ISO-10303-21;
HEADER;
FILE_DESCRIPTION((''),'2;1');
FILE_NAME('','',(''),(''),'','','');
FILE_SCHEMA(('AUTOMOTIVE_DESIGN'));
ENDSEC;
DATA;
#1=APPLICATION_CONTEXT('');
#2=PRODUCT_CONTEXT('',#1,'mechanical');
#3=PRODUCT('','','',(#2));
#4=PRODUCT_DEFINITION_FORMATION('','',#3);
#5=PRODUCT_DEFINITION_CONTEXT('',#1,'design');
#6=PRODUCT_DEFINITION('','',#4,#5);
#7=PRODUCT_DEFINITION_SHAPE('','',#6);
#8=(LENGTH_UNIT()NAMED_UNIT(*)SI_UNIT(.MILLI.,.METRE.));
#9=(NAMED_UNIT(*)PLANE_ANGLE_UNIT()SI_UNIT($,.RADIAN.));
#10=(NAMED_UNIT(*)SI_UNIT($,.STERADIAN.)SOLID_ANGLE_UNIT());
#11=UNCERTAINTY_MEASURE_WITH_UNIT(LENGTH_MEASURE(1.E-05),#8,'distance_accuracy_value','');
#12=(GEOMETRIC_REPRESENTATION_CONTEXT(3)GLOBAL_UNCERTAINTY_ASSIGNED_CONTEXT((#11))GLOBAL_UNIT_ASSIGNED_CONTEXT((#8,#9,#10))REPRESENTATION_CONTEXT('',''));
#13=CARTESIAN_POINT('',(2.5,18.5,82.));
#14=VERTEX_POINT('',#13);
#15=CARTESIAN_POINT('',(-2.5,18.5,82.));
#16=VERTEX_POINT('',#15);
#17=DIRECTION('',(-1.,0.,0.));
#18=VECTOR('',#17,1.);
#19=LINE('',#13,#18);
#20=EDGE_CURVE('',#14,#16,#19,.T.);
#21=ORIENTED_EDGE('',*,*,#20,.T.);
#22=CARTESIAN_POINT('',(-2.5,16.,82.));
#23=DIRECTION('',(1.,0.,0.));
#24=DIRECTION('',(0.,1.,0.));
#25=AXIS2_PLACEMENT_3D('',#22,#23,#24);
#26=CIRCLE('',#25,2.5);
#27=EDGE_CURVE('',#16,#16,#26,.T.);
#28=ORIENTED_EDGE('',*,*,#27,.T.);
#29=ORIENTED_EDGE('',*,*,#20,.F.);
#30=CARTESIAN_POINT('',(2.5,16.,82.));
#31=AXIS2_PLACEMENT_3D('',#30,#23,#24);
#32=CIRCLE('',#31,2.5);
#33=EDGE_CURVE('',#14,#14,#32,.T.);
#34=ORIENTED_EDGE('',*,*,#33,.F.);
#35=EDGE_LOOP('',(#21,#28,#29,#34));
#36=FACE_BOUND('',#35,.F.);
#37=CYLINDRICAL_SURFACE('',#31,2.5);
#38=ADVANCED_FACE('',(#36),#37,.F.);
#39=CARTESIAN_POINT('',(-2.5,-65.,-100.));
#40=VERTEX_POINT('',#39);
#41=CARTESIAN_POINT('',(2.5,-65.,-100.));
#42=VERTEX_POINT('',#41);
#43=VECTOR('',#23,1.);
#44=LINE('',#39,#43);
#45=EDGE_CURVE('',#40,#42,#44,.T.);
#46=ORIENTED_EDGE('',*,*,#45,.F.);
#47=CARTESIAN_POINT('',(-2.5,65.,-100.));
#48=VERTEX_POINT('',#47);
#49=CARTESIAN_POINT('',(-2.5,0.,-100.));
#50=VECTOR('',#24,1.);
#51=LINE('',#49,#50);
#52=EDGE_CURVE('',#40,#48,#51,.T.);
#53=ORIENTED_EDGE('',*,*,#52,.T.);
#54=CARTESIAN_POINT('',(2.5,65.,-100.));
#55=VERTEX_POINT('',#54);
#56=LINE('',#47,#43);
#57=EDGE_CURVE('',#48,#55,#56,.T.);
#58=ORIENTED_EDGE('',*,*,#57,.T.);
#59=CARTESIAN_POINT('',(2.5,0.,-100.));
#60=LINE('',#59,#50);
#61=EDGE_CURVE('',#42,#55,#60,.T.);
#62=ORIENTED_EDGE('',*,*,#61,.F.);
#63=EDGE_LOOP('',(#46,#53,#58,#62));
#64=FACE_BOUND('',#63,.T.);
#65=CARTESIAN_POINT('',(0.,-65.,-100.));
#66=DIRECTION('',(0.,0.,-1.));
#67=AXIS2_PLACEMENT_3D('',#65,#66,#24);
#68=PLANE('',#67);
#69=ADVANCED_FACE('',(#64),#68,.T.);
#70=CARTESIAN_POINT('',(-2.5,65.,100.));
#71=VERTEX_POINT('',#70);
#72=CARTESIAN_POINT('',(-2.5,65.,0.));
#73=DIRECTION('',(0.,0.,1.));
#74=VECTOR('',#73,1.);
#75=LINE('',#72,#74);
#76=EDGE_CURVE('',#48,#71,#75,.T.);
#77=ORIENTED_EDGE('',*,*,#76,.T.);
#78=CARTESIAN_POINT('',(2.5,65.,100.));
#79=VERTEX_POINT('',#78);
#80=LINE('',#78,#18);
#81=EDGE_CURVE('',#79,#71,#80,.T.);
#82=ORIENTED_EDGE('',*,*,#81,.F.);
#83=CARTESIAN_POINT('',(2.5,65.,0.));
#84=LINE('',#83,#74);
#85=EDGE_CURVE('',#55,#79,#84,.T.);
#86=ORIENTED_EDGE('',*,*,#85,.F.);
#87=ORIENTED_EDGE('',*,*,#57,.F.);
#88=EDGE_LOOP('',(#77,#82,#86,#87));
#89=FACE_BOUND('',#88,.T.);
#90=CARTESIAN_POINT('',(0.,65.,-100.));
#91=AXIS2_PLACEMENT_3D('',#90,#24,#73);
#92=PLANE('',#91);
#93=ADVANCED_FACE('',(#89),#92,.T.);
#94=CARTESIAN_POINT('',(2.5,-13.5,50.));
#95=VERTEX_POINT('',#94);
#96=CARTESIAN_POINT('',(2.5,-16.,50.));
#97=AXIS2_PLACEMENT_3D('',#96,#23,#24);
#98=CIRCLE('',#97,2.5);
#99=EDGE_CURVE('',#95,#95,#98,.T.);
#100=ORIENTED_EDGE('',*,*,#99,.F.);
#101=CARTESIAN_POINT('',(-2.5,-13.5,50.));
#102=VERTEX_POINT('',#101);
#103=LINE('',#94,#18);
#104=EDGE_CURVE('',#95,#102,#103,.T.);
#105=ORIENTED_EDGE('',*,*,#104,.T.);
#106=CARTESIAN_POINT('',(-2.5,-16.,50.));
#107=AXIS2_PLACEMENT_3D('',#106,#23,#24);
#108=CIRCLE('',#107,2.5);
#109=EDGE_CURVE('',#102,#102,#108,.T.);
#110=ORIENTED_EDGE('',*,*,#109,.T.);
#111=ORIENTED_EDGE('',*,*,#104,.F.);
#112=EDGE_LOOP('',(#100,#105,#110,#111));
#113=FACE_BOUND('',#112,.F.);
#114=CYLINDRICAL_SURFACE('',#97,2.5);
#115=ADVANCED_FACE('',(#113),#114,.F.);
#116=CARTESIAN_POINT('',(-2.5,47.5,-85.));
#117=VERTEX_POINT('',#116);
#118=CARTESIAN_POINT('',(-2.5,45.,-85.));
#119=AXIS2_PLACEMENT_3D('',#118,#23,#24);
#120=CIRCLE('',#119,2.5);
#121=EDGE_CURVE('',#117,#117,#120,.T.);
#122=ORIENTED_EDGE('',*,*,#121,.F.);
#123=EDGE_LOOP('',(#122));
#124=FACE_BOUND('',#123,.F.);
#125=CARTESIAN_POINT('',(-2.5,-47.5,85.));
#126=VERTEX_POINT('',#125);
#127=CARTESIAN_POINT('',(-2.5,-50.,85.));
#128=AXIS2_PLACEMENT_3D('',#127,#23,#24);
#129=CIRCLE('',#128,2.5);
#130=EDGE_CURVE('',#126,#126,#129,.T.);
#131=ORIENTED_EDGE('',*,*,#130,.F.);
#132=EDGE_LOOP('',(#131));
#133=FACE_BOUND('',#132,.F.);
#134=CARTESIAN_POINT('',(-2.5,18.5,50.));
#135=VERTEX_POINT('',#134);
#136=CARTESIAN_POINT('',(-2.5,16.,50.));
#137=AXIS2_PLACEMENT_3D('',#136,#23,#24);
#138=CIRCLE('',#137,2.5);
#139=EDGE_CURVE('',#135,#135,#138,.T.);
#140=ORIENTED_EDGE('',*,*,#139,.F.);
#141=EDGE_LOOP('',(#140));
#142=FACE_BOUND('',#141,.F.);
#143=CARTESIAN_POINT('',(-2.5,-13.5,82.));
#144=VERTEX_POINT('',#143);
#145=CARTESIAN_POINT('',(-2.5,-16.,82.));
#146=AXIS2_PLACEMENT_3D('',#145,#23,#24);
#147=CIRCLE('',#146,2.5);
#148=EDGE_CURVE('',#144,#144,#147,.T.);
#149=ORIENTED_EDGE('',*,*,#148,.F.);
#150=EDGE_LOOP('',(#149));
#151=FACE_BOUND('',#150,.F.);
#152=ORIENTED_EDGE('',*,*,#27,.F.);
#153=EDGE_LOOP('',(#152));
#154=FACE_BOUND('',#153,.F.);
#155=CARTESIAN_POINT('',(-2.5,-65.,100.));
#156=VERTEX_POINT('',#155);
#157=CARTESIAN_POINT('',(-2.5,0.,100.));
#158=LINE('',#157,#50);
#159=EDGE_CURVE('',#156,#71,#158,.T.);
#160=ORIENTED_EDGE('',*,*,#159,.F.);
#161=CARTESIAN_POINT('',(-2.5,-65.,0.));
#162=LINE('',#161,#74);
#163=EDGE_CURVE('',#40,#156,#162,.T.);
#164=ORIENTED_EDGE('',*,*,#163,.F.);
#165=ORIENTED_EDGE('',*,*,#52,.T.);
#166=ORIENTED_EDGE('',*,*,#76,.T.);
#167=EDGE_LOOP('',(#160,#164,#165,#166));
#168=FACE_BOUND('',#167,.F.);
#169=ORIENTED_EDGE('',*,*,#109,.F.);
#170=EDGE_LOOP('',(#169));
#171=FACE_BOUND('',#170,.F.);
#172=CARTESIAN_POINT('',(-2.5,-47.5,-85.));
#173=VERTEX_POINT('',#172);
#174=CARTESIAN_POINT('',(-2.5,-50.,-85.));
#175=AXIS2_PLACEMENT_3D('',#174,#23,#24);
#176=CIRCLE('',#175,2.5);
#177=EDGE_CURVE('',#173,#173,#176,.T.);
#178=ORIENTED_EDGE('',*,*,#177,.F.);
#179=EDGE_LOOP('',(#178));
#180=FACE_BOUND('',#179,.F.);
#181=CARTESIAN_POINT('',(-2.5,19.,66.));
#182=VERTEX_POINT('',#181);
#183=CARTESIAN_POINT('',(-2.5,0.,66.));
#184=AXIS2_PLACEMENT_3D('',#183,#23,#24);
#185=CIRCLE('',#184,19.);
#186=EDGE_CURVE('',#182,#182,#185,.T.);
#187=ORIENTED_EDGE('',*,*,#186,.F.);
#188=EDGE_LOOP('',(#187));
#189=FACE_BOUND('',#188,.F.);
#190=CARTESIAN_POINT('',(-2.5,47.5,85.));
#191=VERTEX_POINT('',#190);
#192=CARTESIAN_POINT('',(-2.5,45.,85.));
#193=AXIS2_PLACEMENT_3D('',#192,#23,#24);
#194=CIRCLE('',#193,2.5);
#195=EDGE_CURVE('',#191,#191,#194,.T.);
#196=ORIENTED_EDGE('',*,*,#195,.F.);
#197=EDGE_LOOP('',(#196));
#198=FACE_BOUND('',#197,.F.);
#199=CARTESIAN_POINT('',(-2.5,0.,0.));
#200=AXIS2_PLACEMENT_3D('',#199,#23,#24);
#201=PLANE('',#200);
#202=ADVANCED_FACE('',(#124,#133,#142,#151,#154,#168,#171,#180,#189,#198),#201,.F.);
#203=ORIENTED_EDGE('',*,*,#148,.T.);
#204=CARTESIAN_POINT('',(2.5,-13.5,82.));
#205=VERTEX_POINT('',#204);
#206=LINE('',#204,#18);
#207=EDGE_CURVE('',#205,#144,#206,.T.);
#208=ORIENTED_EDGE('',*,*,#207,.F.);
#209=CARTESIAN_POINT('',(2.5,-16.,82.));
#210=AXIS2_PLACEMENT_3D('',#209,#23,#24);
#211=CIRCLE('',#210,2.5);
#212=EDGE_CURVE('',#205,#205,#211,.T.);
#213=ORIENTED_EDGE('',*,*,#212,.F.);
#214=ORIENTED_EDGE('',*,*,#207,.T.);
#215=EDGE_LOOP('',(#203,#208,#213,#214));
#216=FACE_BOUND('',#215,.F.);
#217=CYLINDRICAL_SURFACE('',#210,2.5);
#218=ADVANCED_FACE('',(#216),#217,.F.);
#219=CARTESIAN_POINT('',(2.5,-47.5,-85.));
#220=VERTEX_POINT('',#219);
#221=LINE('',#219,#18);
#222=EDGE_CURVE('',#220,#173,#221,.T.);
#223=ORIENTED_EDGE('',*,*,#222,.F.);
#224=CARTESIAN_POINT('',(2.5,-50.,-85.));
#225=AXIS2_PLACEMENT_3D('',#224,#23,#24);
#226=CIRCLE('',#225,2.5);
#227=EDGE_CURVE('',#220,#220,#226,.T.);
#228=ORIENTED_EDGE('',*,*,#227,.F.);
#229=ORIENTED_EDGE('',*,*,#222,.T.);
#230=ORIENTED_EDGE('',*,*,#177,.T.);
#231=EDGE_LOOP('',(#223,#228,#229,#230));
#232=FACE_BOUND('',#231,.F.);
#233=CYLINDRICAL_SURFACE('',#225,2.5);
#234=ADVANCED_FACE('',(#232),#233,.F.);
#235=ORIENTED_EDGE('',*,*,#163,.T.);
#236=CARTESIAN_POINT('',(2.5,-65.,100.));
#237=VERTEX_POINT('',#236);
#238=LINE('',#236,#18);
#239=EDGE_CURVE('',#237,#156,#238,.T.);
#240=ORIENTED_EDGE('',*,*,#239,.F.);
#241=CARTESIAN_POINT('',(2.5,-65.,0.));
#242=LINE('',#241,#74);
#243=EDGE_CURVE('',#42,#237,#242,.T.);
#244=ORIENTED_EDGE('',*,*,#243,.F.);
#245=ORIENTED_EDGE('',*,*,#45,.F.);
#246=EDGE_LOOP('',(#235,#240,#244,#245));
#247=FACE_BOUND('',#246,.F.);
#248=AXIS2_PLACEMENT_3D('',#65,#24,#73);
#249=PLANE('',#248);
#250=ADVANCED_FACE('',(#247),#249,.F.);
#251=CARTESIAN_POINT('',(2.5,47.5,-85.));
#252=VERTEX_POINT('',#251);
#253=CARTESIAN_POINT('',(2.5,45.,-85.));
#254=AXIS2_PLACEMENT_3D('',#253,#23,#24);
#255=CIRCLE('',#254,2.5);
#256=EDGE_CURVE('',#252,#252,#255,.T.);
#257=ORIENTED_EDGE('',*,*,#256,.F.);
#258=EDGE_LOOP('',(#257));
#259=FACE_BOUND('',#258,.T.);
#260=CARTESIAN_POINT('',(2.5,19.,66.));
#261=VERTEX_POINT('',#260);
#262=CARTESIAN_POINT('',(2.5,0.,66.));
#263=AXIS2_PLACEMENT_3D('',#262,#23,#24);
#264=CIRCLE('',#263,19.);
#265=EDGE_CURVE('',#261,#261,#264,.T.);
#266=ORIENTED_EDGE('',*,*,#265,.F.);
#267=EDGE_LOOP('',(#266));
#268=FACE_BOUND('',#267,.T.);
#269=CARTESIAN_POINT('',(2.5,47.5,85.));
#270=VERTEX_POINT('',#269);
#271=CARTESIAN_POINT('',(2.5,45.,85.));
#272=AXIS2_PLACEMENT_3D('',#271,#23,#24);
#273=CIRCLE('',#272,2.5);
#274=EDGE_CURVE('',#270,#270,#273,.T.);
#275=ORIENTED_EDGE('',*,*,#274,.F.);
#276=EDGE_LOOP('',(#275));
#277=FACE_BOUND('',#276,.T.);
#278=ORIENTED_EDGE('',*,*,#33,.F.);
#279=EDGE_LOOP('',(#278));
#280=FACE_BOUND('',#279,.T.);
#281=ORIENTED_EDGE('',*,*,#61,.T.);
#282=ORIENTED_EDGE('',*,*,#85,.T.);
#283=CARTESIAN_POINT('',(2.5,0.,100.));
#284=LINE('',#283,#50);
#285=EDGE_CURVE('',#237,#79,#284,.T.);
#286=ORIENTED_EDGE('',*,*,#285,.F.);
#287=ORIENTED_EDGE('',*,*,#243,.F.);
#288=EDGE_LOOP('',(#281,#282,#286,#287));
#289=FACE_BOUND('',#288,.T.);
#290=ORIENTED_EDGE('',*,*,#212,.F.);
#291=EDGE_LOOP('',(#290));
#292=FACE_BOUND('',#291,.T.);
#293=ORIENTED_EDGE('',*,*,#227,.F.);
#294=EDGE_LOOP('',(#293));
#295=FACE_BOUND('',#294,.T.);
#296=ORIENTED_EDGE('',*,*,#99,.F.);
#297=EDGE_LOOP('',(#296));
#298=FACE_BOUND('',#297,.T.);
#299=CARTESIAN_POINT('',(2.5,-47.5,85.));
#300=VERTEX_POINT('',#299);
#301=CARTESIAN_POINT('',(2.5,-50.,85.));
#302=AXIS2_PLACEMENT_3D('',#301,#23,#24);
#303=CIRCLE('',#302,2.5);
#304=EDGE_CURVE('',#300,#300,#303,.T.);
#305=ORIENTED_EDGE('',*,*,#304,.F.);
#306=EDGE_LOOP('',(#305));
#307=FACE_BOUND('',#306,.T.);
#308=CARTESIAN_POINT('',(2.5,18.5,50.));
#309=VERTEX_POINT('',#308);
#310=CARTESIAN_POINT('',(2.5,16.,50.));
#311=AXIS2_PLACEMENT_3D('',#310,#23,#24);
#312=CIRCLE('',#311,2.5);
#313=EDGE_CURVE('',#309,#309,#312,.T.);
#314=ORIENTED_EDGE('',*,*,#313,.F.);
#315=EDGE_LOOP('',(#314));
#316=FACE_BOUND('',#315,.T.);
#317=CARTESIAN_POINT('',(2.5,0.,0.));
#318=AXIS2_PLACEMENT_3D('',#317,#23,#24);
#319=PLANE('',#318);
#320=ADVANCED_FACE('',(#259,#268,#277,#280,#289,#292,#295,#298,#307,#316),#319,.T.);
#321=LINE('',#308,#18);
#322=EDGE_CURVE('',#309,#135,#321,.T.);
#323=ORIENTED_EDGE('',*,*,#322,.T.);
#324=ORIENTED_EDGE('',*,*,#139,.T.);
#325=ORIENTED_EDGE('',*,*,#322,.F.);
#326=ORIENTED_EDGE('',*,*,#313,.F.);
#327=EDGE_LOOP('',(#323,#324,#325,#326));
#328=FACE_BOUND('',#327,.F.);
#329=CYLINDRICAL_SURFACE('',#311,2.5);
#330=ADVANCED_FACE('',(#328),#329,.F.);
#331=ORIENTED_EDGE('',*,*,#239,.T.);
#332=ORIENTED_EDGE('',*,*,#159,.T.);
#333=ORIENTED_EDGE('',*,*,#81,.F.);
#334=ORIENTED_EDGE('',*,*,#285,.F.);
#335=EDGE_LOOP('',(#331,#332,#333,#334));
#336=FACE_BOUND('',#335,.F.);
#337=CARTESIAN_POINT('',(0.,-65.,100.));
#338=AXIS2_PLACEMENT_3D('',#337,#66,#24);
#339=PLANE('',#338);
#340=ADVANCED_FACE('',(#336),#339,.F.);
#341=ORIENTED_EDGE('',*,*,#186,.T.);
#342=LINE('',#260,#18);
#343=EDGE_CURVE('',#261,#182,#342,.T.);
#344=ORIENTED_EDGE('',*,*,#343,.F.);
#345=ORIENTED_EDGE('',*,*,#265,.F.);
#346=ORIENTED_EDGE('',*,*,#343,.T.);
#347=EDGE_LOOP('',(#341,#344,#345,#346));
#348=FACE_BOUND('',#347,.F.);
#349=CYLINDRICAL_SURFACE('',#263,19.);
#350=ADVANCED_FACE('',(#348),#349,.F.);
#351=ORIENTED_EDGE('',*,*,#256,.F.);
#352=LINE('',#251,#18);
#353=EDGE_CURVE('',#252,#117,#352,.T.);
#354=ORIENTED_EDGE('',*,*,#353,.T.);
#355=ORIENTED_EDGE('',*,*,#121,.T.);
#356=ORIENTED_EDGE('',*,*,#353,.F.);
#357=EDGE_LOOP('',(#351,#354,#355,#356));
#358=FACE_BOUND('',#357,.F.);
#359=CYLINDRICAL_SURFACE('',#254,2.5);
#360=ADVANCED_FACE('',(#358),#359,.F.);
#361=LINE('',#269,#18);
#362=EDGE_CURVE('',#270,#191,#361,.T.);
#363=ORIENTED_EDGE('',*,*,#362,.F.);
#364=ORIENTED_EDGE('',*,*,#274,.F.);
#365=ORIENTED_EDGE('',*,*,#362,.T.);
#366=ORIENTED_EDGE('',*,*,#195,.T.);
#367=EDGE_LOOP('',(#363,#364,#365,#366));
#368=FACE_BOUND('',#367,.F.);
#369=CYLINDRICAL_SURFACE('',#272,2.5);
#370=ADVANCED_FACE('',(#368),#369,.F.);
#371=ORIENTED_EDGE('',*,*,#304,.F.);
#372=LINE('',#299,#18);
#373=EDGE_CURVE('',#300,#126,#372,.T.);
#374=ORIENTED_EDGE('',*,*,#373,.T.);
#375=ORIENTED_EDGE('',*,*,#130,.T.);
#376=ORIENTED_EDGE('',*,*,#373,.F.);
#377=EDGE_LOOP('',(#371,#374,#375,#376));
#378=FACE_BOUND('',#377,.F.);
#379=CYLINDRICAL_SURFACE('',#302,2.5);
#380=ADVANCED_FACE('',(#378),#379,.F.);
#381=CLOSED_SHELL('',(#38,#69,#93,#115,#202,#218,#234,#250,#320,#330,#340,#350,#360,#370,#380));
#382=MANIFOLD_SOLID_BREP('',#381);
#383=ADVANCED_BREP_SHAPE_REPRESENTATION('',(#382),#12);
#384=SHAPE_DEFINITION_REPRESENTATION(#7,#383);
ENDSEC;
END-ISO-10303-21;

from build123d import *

# Parameters (mm, degrees)
SKETCH_W        = 130
SKETCH_H        = 200
PAD_DEPTH       = 2.5
SKETCH001_R     = 2.5
POCKET_DEPTH    = 5.001
SKETCH002_R     = 19
SKETCH002_R_2   = 2.5
POCKET001_DEPTH = 5.001


with BuildPart() as part:
    # Sketch → Pad (new body, symmetric)
    with BuildSketch(Plane.YZ):
        Rectangle(SKETCH_W, SKETCH_H)
    extrude(amount=PAD_DEPTH, both=True)

    # Sketch001 (on Face6 of Pad) → Pocket (cut, through all)
    with BuildSketch(Plane.YZ.offset(2.5)):
        with Locations((-50, 85)):
            Circle(SKETCH001_R)
        with Locations((45, 85)):
            Circle(SKETCH001_R)
        with Locations((-50, -85)):
            Circle(SKETCH001_R)
        with Locations((45, -85)):
            Circle(SKETCH001_R)
    extrude(amount=-POCKET_DEPTH, mode=Mode.SUBTRACT)

    # Sketch002 (on Face5 of Pocket) → Pocket001 (cut, through all)
    with BuildSketch(Plane.YZ.offset(2.5)):
        with Locations((0, 66)):
            Circle(SKETCH002_R)
        with Locations((-16, 82)):
            Circle(SKETCH002_R_2)
        with Locations((16, 82)):
            Circle(SKETCH002_R_2)
        with Locations((16, 50)):
            Circle(SKETCH002_R_2)
        with Locations((-16, 50)):
            Circle(SKETCH002_R_2)
    extrude(amount=-POCKET001_DEPTH, mode=Mode.SUBTRACT)


solid = part.part
